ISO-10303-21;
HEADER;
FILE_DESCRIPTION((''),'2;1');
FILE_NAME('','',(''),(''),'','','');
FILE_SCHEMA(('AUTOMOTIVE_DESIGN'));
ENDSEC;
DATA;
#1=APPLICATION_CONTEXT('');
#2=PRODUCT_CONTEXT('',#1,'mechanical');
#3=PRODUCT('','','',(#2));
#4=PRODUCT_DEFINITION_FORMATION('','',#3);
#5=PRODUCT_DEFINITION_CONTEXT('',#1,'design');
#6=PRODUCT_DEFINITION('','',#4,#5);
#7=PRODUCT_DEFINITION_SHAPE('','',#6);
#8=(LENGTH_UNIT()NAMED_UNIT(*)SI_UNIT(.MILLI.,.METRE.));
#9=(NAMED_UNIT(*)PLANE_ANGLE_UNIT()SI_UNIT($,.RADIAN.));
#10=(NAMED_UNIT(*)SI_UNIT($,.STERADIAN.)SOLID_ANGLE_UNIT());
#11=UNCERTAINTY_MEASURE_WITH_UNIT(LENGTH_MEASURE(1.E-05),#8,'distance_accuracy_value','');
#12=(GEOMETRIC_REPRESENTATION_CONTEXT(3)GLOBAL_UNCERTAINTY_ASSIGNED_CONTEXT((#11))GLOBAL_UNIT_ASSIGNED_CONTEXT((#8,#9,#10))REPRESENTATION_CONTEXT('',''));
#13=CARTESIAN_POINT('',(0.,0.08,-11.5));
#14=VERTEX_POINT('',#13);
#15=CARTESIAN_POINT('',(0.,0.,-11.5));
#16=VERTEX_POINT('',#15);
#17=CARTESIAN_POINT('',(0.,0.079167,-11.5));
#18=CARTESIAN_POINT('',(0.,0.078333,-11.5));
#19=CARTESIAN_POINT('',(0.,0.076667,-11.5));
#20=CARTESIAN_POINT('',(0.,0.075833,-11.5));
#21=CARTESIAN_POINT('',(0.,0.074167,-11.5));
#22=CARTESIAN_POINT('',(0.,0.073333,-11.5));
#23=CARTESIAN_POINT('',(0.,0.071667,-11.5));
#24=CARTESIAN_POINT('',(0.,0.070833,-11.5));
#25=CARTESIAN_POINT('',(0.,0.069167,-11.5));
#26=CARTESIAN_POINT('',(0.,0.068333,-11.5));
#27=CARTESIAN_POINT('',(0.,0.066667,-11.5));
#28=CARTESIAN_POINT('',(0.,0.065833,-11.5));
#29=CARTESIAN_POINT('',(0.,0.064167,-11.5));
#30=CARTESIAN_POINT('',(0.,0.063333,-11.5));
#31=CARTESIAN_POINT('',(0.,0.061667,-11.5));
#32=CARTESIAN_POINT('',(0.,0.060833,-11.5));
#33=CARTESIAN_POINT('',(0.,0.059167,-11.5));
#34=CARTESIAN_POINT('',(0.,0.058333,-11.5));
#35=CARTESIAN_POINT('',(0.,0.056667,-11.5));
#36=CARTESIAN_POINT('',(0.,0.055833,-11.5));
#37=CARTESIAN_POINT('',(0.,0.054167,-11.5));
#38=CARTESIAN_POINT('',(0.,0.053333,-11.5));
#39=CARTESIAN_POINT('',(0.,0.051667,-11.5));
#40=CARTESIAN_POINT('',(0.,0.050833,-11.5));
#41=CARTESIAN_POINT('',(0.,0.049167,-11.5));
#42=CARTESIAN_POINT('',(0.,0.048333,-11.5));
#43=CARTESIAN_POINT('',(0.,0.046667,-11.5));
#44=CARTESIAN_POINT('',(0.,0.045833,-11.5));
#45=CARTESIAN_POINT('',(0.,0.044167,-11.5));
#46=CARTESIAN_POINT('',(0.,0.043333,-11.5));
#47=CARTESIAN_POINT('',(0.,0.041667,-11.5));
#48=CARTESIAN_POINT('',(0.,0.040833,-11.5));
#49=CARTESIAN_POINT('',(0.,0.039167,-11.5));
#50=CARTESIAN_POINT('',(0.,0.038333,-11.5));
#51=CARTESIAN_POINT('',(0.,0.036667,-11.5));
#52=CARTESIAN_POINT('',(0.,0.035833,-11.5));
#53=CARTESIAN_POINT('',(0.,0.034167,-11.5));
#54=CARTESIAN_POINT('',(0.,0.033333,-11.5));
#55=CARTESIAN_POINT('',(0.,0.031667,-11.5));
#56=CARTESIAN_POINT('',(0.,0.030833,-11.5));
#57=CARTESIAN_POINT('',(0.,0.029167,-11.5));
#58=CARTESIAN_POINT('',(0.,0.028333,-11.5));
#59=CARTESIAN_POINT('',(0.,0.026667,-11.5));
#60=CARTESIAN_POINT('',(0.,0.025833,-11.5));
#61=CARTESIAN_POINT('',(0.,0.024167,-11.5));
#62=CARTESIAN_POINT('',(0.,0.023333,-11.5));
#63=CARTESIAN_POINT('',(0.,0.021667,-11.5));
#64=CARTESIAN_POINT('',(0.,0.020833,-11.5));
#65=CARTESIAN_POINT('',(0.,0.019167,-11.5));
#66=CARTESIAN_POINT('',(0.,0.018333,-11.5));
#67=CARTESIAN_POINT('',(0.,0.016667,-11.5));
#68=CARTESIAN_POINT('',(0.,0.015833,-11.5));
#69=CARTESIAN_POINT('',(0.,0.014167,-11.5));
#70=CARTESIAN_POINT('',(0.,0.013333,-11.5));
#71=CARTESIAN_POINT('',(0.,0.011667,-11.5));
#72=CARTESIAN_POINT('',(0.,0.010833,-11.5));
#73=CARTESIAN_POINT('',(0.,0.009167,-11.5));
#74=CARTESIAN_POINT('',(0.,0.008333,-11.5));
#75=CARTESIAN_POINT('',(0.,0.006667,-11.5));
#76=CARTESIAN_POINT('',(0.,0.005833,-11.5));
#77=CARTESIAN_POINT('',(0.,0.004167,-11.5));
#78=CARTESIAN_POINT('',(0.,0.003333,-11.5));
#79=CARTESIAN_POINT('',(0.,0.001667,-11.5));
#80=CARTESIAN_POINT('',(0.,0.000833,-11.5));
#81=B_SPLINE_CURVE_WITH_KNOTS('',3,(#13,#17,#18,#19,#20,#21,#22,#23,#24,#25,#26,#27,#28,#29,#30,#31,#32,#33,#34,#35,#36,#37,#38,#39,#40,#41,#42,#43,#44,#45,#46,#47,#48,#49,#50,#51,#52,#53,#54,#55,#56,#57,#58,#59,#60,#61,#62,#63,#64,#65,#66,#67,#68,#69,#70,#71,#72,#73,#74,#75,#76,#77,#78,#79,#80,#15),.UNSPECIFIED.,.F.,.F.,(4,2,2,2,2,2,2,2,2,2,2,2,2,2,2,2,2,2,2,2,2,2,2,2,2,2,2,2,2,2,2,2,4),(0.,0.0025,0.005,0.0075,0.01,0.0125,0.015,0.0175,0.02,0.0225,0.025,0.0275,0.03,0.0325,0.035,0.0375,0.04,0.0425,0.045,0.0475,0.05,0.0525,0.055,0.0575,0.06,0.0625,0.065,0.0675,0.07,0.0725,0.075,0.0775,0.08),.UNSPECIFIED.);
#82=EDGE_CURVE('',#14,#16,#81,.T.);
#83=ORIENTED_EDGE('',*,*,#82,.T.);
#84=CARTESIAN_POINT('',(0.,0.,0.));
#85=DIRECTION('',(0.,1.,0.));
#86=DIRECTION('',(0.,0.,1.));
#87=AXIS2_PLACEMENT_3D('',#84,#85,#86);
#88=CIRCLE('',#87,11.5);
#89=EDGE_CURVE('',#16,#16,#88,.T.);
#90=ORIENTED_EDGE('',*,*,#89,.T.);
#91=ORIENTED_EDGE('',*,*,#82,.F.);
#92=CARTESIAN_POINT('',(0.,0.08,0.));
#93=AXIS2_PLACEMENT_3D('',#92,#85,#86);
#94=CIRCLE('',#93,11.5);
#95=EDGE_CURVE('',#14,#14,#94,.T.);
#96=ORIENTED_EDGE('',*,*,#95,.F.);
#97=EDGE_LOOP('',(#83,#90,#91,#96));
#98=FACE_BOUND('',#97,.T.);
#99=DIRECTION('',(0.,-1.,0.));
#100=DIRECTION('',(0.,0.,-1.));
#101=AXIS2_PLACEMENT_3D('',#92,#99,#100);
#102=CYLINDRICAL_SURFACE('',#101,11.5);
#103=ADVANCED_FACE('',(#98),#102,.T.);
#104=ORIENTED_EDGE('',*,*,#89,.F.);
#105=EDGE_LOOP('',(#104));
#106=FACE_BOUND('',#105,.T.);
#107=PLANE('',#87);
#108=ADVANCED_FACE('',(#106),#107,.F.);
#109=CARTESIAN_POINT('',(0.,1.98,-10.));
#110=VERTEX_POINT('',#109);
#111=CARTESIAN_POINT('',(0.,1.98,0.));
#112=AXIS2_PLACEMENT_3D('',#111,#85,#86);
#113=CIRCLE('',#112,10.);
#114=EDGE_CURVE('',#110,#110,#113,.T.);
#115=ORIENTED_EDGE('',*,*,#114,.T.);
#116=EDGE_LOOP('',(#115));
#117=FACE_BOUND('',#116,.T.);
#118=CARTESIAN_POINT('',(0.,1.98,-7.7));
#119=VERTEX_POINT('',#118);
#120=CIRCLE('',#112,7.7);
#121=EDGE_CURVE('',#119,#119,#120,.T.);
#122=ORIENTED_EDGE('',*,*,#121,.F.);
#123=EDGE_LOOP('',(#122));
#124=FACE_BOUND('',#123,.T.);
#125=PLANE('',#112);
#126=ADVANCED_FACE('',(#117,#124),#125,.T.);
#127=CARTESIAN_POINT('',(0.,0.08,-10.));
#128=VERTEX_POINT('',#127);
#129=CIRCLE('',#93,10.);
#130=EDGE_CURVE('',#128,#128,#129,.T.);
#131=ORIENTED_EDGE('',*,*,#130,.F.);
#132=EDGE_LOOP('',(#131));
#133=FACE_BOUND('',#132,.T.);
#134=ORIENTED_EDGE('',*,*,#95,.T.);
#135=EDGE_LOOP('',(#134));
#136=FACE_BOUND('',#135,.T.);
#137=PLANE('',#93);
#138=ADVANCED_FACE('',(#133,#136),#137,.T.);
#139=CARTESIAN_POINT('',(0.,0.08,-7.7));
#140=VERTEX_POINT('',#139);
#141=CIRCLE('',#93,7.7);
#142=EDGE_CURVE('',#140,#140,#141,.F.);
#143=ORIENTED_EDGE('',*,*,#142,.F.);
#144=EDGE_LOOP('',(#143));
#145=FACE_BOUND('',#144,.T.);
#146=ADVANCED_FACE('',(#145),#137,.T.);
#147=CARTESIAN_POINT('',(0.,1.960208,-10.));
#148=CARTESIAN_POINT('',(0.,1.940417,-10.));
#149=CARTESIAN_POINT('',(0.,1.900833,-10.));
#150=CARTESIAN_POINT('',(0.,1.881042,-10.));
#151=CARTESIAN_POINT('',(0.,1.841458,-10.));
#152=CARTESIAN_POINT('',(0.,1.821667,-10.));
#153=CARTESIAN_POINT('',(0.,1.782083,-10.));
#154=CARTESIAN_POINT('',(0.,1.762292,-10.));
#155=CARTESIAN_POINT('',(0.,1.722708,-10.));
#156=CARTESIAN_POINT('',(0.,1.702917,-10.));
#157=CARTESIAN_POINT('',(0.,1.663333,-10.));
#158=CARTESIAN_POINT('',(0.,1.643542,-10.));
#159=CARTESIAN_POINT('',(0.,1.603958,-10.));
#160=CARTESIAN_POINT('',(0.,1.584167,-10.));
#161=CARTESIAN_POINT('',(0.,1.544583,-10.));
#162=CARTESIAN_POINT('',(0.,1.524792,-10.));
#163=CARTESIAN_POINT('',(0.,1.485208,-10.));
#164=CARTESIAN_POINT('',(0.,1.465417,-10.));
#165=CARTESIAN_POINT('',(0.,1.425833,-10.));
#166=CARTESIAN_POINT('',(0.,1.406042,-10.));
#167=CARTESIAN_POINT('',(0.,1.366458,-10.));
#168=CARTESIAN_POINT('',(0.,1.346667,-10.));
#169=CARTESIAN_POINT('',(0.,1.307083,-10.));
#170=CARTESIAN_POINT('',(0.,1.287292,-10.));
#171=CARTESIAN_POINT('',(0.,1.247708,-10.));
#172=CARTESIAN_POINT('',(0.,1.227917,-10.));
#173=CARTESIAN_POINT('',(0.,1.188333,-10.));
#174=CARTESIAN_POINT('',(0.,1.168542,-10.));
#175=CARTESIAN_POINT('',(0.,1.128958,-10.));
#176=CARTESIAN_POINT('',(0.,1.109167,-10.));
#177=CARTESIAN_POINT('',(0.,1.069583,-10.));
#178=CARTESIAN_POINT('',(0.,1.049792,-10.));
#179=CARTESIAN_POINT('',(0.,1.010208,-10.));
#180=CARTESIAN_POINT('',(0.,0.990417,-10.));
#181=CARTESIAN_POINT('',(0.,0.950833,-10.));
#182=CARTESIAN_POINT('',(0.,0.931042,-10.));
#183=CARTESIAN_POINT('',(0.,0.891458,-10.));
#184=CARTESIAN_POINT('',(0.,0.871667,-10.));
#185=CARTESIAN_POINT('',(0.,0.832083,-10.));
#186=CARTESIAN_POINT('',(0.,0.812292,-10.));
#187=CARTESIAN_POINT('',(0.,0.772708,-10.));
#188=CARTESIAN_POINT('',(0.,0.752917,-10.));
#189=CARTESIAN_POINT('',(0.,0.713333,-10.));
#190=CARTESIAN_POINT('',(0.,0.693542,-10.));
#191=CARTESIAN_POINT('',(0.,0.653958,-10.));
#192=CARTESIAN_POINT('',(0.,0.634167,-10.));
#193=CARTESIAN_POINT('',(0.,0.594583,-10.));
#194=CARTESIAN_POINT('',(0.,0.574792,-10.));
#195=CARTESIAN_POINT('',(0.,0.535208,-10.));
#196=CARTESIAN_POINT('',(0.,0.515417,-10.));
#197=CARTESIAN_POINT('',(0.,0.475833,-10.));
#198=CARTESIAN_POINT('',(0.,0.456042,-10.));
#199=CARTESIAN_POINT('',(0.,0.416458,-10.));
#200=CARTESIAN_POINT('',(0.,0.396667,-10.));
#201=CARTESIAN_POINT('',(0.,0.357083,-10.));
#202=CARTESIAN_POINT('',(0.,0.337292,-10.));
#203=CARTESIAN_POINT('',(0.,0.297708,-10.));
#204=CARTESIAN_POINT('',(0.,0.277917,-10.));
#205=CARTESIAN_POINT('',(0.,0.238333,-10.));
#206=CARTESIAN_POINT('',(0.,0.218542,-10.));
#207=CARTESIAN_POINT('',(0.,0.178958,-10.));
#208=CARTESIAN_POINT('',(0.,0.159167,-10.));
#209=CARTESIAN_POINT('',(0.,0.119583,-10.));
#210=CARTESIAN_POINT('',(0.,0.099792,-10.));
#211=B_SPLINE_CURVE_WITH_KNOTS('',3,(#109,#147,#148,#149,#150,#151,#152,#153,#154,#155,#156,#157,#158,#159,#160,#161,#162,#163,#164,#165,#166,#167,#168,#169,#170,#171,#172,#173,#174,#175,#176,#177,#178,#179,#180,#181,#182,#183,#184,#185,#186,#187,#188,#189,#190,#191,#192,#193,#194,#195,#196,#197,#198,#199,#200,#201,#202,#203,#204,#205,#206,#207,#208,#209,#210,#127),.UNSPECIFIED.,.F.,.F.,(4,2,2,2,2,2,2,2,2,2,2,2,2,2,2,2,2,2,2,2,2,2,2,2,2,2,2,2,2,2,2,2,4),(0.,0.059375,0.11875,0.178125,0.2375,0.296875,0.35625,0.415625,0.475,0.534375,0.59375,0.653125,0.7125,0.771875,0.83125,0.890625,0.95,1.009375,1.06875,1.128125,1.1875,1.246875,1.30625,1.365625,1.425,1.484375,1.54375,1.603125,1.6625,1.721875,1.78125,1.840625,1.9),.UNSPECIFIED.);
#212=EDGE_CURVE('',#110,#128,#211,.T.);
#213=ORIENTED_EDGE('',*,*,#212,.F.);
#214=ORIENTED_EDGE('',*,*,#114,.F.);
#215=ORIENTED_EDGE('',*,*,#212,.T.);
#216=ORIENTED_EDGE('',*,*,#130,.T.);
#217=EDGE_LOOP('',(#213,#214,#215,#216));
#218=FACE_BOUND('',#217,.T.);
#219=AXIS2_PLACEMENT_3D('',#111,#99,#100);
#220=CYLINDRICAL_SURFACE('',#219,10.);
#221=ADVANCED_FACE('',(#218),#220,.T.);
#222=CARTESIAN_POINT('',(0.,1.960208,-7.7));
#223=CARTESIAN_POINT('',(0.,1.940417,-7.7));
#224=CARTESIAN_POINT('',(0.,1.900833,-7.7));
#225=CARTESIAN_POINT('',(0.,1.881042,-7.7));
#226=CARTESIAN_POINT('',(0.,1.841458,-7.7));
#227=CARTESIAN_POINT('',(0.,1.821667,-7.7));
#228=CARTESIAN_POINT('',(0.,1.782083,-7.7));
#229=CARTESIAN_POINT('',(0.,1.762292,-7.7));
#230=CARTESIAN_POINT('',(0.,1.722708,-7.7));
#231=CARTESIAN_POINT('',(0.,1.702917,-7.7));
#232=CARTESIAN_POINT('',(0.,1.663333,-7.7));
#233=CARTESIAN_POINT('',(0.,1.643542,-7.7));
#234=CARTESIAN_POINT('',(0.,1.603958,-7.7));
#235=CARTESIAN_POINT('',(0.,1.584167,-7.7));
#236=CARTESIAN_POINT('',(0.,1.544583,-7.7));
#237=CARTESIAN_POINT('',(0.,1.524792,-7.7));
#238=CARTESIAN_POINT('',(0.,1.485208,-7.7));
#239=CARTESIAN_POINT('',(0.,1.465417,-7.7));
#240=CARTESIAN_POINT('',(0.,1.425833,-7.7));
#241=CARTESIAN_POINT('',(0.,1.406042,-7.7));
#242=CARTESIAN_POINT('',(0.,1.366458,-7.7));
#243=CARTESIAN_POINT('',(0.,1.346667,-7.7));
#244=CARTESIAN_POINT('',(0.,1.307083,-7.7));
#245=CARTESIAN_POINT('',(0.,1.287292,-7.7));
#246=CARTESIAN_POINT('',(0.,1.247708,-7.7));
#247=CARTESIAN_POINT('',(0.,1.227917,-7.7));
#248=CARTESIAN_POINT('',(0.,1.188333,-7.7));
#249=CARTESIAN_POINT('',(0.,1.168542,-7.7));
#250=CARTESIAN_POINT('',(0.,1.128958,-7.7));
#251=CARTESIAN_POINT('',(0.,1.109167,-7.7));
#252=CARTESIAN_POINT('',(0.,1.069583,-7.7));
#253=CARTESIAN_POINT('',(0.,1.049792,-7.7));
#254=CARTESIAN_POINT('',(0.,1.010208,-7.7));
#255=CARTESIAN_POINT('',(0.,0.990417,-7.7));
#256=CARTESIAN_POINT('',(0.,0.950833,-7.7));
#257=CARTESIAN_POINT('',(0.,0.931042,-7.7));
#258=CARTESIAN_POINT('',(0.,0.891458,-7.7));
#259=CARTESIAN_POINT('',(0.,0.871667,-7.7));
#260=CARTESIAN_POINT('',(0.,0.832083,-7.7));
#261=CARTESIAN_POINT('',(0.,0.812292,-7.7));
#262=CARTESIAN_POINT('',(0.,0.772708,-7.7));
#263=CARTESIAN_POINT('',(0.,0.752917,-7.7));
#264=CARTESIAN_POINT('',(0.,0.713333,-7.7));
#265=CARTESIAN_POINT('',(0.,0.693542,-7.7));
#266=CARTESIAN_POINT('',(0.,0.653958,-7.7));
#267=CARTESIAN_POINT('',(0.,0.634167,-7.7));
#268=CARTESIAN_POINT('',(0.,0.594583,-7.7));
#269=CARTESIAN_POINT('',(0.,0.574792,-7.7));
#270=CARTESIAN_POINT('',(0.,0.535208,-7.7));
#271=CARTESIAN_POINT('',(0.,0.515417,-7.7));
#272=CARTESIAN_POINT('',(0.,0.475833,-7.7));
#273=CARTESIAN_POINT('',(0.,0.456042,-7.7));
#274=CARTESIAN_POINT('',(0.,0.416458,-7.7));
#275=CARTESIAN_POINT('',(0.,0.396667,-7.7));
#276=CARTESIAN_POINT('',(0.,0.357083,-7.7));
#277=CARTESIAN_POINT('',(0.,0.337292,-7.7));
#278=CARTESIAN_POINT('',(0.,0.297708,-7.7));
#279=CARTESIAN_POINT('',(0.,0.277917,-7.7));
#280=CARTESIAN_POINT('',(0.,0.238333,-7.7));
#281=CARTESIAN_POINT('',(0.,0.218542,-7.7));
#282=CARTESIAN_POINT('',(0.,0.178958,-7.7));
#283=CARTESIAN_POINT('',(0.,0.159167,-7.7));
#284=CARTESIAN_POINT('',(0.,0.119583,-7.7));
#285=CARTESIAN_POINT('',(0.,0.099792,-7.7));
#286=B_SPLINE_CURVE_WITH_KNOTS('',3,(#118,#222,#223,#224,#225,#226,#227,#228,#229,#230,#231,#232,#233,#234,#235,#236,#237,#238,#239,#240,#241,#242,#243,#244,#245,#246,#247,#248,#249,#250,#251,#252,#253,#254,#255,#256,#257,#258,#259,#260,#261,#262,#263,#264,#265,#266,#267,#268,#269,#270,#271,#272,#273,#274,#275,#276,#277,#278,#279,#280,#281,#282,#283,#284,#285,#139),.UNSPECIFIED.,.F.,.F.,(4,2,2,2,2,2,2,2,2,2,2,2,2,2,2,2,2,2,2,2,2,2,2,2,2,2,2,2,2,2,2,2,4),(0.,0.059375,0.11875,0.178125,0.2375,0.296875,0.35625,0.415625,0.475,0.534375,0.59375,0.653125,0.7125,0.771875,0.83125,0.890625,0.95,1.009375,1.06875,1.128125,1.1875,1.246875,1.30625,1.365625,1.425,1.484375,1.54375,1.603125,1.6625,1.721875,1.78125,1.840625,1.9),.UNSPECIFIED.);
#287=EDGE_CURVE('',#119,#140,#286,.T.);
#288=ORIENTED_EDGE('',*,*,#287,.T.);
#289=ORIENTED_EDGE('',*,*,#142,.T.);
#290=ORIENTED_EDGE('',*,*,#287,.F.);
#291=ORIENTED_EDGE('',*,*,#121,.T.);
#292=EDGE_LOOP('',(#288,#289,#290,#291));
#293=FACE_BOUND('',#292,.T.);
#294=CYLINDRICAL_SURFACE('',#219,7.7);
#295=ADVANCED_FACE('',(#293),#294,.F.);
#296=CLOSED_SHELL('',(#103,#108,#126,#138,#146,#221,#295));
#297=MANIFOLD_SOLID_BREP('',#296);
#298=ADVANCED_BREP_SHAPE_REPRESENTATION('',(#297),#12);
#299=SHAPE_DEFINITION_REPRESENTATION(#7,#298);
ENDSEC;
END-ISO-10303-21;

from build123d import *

# Parameters (mm, degrees)
SKETCH1_R           = 11.5
BOSS_EXTRUDE1_DEPTH = 0.08
SKETCH2_R           = 10
SKETCH2_R_2         = 7.7
BOSS_EXTRUDE2_DEPTH = 1.9


with BuildPart() as part:
    # Sketch1 → Boss-Extrude1 (new body)
    with BuildSketch(Plane(origin=(0, 0, 0), x_dir=(1, 0, 0), z_dir=(0, 1, 0))):
        with Locations(Location((0, 0, 0), (0, 0, 90))):
            Circle(SKETCH1_R)
    extrude(amount=BOSS_EXTRUDE1_DEPTH)

    # Sketch2 → Boss-Extrude2 (add)
    with BuildSketch(Plane(origin=(0, 0.08, 0), x_dir=(1, 0, 0), z_dir=(0, 1, 0))):
        with Locations(Location((0, 0, 0), (0, 0, 90))):
            Circle(SKETCH2_R)
        with Locations(Location((0, 0, 0), (0, 0, 90))):
            Circle(SKETCH2_R_2, mode=Mode.SUBTRACT)
    extrude(amount=BOSS_EXTRUDE2_DEPTH)


solid = part.part
